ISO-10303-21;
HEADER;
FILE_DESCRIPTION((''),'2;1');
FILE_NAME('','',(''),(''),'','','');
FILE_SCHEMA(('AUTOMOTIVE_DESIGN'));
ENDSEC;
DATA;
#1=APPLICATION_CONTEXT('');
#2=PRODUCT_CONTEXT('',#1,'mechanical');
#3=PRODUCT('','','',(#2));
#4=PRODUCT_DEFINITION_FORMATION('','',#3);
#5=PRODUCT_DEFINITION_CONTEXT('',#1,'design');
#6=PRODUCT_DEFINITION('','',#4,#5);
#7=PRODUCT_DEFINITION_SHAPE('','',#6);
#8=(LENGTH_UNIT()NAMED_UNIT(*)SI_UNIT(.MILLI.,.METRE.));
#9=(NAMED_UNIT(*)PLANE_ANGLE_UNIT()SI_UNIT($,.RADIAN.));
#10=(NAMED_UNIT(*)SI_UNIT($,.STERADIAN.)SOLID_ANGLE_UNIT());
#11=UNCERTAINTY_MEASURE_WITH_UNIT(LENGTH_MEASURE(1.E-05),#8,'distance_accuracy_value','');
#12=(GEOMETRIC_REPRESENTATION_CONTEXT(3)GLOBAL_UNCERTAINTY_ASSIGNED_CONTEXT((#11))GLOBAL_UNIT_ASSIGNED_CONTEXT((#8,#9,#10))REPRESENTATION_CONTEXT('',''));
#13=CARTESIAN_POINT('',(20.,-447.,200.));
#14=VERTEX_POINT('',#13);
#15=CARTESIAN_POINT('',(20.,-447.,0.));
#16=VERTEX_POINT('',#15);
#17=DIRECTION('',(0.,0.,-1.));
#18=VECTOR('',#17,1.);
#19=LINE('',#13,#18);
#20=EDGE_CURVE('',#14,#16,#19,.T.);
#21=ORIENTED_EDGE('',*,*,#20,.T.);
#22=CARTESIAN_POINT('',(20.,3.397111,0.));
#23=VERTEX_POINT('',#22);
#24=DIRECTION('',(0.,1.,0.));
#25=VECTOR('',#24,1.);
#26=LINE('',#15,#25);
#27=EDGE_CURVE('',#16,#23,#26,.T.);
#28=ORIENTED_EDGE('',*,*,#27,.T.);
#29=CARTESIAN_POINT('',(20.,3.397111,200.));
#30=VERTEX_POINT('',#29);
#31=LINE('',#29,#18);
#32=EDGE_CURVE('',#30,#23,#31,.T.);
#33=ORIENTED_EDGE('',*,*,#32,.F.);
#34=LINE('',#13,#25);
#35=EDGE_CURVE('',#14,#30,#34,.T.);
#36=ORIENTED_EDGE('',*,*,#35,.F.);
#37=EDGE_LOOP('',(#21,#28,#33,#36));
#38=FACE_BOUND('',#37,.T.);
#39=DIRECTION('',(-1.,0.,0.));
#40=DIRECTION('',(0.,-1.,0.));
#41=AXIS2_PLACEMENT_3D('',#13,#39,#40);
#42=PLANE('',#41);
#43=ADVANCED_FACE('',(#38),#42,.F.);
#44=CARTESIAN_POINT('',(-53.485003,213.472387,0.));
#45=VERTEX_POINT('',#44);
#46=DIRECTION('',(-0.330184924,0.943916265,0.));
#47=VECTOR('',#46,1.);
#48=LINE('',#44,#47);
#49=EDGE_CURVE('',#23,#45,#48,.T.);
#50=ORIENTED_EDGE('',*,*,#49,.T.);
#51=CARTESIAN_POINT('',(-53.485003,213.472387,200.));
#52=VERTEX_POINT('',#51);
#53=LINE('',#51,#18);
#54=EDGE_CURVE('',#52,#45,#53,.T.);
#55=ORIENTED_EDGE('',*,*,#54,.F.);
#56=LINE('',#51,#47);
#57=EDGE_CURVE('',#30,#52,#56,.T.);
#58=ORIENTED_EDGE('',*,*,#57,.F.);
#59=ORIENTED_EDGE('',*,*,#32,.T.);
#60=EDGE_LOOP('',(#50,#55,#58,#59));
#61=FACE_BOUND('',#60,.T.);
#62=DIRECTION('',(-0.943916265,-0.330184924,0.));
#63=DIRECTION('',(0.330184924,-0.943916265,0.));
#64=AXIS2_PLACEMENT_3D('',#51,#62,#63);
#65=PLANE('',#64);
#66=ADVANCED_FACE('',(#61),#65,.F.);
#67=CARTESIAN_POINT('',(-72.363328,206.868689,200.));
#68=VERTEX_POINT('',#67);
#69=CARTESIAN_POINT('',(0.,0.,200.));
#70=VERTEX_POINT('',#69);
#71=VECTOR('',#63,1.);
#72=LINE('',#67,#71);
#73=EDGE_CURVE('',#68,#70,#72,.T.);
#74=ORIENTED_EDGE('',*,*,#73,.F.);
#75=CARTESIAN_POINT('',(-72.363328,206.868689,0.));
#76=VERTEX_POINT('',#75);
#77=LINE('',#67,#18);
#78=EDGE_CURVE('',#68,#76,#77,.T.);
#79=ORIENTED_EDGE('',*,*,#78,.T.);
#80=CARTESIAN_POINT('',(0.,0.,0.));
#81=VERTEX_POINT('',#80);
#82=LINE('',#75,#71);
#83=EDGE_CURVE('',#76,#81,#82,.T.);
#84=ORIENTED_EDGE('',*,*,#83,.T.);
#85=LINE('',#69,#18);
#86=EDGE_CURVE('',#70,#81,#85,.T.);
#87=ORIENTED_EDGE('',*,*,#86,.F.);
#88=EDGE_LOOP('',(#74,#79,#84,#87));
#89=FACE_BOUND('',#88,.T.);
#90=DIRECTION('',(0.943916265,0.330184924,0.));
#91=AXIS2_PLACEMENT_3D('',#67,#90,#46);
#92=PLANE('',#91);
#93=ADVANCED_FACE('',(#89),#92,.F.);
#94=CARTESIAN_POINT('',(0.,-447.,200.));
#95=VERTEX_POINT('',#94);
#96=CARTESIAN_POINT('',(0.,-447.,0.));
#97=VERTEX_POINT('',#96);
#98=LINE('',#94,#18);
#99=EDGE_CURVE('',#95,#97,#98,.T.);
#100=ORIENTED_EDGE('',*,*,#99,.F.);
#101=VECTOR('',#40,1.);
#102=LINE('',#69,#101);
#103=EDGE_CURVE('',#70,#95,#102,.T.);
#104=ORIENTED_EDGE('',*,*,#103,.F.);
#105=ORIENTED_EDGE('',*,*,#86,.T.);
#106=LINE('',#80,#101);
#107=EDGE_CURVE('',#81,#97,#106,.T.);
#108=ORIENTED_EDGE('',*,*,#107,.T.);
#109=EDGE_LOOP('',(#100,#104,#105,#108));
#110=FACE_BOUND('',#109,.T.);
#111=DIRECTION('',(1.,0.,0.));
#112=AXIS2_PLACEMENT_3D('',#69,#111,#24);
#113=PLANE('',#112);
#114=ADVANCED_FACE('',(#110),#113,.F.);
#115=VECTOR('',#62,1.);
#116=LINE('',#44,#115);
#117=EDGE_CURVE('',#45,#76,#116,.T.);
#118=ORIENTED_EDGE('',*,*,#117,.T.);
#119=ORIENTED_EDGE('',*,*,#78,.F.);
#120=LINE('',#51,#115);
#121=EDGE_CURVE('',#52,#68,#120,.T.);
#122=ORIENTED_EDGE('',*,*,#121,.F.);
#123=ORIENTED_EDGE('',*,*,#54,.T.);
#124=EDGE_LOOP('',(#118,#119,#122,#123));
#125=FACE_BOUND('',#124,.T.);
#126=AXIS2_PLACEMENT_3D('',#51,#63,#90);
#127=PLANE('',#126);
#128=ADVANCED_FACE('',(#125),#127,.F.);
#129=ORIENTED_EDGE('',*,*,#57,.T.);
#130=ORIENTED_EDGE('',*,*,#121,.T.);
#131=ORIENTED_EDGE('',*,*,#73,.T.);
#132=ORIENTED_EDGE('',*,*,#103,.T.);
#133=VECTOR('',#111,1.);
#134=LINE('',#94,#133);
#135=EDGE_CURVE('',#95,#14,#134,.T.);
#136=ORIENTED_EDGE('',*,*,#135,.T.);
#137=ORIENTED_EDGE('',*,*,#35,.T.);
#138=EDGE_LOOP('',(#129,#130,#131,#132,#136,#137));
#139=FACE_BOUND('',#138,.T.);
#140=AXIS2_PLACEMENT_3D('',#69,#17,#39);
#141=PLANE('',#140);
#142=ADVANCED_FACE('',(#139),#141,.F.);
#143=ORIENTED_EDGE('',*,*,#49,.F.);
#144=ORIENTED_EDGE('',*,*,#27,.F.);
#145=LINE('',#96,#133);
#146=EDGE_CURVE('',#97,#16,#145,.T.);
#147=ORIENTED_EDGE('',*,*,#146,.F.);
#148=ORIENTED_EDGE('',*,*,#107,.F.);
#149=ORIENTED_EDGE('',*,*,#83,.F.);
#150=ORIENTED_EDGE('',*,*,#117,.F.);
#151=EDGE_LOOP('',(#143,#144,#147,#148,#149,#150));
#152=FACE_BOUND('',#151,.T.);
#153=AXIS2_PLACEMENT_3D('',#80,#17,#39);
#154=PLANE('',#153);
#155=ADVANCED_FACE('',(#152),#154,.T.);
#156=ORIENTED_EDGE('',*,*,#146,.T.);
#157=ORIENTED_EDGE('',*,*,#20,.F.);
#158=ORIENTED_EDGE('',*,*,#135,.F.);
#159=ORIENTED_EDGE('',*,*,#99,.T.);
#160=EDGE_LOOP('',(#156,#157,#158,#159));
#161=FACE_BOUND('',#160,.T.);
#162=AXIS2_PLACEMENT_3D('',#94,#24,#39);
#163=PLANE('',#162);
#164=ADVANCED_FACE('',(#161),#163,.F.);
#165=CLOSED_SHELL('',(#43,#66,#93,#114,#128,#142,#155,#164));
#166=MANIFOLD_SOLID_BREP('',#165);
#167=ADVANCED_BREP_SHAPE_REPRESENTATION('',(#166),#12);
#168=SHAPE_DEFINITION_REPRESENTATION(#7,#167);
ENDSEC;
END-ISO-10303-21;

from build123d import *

# Parameters (mm, degrees)
BOSS_EXTRUDE1_DEPTH = 200


with BuildPart() as part:
    # Sketch1 → Boss-Extrude1 (new body)
    with BuildSketch(Plane.XY):
        Polygon((0, 0), (0, -447), (20, -447), (20, 3.397110563), (-53.485002614, 213.472387194), (-72.363327922, 206.868688718), align=None)
    extrude(amount=BOSS_EXTRUDE1_DEPTH)


solid = part.part
